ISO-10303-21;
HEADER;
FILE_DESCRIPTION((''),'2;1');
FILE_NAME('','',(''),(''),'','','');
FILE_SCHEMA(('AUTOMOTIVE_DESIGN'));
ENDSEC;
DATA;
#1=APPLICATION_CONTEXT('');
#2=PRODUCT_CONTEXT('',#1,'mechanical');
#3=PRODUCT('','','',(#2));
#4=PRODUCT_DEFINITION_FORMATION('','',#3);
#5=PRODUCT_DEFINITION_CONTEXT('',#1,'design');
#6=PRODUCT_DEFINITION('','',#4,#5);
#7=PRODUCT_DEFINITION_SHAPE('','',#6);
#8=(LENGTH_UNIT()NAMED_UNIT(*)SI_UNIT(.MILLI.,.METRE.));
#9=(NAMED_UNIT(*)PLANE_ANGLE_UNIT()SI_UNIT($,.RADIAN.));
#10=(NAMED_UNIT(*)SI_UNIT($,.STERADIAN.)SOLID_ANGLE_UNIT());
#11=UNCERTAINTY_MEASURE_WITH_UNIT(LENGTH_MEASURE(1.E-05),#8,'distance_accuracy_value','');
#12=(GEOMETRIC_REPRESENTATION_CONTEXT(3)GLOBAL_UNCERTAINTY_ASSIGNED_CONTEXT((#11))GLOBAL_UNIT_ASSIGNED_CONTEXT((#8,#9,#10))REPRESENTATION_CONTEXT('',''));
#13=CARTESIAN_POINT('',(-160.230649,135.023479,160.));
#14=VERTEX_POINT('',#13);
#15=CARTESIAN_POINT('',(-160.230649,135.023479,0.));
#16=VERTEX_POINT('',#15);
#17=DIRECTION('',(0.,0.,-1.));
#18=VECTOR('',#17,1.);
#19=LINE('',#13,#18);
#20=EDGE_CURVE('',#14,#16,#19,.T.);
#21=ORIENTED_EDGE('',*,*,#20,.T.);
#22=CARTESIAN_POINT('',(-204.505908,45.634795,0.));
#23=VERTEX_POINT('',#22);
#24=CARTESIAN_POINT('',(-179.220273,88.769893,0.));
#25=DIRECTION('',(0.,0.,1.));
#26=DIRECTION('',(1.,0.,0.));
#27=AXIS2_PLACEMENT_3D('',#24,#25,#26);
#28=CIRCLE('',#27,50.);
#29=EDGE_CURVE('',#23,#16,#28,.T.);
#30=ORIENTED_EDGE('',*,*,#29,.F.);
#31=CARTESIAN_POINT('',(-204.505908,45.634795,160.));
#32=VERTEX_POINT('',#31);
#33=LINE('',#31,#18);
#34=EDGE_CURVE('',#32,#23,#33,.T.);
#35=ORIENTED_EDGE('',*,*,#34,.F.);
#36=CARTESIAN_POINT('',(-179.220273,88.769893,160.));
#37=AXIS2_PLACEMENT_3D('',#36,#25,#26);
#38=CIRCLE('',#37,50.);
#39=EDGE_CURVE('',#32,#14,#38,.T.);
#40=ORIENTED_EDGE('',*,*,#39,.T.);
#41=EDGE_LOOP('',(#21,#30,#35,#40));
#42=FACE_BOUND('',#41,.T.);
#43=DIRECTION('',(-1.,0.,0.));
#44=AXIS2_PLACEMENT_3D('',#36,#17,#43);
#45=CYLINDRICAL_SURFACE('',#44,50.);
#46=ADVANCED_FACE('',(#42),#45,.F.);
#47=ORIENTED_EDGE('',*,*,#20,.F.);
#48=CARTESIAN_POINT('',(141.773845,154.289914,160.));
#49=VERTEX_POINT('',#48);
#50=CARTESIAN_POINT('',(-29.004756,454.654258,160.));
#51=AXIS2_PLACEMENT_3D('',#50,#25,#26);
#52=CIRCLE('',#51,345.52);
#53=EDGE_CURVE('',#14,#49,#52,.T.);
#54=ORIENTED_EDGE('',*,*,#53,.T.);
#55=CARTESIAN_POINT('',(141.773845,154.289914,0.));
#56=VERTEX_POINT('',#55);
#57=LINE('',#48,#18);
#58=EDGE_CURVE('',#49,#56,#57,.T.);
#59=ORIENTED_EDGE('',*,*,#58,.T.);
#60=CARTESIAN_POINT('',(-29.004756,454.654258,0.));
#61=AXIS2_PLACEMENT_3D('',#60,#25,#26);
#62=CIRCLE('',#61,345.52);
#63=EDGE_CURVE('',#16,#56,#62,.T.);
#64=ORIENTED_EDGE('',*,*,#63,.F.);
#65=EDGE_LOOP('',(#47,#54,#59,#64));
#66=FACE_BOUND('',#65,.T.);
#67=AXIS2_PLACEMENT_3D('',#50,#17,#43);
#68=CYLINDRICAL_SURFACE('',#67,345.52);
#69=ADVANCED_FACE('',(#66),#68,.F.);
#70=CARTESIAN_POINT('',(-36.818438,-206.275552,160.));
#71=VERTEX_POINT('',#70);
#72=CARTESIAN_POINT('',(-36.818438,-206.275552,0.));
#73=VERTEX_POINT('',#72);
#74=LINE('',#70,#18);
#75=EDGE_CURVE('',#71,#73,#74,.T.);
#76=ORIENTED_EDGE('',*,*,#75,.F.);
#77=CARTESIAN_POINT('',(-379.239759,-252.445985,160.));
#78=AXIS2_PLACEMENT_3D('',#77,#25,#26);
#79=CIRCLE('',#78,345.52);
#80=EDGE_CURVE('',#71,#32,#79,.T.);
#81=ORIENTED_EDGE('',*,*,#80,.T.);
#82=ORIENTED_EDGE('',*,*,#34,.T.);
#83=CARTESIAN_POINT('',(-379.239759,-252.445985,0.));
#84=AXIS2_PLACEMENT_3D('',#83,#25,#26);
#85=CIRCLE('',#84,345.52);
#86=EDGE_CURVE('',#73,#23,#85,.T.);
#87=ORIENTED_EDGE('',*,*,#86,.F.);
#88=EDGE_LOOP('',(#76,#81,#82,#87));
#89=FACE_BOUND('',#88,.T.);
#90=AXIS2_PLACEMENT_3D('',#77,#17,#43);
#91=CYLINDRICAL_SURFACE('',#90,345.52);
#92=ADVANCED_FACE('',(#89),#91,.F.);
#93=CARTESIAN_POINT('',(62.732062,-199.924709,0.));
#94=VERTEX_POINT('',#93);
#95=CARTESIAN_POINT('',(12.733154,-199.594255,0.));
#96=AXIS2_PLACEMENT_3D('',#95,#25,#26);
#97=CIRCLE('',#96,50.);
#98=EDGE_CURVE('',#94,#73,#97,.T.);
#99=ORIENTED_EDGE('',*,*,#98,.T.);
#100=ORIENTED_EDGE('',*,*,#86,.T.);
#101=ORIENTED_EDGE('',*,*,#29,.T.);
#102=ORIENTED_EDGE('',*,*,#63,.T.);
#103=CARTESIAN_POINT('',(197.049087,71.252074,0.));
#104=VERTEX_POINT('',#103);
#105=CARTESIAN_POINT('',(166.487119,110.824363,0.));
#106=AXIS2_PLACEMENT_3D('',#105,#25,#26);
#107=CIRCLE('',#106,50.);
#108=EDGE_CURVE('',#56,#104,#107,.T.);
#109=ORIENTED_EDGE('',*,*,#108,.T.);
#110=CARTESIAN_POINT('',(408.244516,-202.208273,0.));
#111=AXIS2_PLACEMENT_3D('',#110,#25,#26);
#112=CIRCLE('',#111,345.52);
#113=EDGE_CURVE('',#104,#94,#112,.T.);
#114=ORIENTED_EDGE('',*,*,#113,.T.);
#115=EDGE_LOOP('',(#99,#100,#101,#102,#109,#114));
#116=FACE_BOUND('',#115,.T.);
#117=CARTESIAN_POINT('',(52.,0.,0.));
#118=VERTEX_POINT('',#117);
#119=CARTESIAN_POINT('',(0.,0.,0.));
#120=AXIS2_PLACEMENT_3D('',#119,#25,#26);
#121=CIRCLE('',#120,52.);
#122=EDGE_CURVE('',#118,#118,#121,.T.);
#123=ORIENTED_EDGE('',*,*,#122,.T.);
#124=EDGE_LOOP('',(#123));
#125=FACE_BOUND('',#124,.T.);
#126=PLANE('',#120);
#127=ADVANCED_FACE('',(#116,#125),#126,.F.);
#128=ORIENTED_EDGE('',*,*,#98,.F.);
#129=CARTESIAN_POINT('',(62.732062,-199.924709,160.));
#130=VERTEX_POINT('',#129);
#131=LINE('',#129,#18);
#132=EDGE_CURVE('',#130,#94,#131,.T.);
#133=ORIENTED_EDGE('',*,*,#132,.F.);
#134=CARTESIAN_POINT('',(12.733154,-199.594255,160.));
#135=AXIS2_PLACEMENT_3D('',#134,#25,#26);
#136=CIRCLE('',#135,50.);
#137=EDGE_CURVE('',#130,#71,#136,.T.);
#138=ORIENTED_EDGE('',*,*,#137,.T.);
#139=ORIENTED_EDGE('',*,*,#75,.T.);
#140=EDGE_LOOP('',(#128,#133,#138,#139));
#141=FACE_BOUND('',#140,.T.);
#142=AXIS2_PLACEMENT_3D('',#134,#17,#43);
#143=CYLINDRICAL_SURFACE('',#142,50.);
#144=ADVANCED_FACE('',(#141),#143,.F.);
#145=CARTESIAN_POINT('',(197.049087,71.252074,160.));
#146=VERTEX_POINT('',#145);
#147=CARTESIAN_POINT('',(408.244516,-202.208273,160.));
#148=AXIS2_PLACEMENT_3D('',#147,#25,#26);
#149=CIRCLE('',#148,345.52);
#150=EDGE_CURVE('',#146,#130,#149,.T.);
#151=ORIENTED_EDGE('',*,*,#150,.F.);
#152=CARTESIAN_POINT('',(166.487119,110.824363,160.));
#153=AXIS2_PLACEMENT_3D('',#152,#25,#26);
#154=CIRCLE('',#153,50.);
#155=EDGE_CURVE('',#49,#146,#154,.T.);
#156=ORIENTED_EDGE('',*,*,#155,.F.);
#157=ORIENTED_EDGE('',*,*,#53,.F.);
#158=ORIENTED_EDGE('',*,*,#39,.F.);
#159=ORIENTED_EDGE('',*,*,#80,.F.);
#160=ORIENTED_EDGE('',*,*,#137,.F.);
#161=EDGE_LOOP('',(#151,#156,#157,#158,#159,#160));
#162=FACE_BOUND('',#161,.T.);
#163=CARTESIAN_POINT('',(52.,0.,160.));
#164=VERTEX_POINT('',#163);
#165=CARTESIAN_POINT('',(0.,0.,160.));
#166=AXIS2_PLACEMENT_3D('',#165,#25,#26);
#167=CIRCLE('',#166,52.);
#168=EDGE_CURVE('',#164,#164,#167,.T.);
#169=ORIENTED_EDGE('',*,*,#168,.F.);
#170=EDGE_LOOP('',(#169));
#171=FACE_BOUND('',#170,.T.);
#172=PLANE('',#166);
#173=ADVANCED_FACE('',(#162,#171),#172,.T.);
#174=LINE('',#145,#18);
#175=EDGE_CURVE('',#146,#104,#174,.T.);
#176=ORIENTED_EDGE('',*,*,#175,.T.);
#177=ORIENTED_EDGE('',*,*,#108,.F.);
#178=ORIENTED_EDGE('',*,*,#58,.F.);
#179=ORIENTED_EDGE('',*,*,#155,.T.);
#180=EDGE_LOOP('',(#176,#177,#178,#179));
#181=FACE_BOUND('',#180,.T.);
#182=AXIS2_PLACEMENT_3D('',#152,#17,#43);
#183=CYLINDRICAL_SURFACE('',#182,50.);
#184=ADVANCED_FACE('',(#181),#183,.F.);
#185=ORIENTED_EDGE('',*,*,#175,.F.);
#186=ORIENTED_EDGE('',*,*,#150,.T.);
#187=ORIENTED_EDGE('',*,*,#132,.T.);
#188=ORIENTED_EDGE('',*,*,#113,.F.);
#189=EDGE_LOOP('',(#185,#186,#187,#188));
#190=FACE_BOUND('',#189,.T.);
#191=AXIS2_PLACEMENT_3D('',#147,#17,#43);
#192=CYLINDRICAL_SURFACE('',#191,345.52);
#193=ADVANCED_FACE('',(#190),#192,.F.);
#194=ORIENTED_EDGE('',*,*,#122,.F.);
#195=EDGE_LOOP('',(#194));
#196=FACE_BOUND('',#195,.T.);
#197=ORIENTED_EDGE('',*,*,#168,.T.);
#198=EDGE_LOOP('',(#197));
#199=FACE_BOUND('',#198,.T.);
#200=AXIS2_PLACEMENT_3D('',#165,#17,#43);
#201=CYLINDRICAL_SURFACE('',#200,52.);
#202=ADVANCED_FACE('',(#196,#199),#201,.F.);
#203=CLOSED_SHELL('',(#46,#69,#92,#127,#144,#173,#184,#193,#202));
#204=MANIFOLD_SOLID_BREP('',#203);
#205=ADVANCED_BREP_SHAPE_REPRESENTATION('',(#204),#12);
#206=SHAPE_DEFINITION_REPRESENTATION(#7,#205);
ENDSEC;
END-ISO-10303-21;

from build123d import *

# Parameters (mm, degrees)
SKETCH1_R           = 52
BOSS_EXTRUDE1_DEPTH = 160


with BuildPart() as part:
    # Sketch1 → Boss-Extrude1 (new body)
    with BuildSketch(Plane.XY):
        with BuildLine():
            ThreePointArc((197.049087256, 71.252073557), (124.865338893, 83.118272018), (141.773845489, 154.28991383))
            ThreePointArc((141.773845489, 154.28991383), (-7.006959316, 109.835222819), (-160.230649401, 135.023478578))
            ThreePointArc((-160.230649401, 135.023478578), (-137.69027653, 116.613373396), (-129.22027271, 88.769892699))
            ThreePointArc((-129.22027271, 88.769892699), (-154.363500473, 45.386245158), (-204.505907669, 45.634794871))
            ThreePointArc((-204.505907669, 45.634794871), (-91.616613534, -60.98581618), (-36.818437855, -206.275552135))
            ThreePointArc((-36.818437855, -206.275552135), (9.384990663, -149.70648333), (62.733154186, -199.594255389))
            ThreePointArc((62.733154186, -199.594255389), (62.732881184, -199.759482947), (62.73206218, -199.924708701))
            ThreePointArc((62.73206218, -199.924708701), (98.62357285, -48.849406639), (197.049087256, 71.252073557))
        make_face()
        Circle(SKETCH1_R, mode=Mode.SUBTRACT)
    extrude(amount=BOSS_EXTRUDE1_DEPTH)


solid = part.part
